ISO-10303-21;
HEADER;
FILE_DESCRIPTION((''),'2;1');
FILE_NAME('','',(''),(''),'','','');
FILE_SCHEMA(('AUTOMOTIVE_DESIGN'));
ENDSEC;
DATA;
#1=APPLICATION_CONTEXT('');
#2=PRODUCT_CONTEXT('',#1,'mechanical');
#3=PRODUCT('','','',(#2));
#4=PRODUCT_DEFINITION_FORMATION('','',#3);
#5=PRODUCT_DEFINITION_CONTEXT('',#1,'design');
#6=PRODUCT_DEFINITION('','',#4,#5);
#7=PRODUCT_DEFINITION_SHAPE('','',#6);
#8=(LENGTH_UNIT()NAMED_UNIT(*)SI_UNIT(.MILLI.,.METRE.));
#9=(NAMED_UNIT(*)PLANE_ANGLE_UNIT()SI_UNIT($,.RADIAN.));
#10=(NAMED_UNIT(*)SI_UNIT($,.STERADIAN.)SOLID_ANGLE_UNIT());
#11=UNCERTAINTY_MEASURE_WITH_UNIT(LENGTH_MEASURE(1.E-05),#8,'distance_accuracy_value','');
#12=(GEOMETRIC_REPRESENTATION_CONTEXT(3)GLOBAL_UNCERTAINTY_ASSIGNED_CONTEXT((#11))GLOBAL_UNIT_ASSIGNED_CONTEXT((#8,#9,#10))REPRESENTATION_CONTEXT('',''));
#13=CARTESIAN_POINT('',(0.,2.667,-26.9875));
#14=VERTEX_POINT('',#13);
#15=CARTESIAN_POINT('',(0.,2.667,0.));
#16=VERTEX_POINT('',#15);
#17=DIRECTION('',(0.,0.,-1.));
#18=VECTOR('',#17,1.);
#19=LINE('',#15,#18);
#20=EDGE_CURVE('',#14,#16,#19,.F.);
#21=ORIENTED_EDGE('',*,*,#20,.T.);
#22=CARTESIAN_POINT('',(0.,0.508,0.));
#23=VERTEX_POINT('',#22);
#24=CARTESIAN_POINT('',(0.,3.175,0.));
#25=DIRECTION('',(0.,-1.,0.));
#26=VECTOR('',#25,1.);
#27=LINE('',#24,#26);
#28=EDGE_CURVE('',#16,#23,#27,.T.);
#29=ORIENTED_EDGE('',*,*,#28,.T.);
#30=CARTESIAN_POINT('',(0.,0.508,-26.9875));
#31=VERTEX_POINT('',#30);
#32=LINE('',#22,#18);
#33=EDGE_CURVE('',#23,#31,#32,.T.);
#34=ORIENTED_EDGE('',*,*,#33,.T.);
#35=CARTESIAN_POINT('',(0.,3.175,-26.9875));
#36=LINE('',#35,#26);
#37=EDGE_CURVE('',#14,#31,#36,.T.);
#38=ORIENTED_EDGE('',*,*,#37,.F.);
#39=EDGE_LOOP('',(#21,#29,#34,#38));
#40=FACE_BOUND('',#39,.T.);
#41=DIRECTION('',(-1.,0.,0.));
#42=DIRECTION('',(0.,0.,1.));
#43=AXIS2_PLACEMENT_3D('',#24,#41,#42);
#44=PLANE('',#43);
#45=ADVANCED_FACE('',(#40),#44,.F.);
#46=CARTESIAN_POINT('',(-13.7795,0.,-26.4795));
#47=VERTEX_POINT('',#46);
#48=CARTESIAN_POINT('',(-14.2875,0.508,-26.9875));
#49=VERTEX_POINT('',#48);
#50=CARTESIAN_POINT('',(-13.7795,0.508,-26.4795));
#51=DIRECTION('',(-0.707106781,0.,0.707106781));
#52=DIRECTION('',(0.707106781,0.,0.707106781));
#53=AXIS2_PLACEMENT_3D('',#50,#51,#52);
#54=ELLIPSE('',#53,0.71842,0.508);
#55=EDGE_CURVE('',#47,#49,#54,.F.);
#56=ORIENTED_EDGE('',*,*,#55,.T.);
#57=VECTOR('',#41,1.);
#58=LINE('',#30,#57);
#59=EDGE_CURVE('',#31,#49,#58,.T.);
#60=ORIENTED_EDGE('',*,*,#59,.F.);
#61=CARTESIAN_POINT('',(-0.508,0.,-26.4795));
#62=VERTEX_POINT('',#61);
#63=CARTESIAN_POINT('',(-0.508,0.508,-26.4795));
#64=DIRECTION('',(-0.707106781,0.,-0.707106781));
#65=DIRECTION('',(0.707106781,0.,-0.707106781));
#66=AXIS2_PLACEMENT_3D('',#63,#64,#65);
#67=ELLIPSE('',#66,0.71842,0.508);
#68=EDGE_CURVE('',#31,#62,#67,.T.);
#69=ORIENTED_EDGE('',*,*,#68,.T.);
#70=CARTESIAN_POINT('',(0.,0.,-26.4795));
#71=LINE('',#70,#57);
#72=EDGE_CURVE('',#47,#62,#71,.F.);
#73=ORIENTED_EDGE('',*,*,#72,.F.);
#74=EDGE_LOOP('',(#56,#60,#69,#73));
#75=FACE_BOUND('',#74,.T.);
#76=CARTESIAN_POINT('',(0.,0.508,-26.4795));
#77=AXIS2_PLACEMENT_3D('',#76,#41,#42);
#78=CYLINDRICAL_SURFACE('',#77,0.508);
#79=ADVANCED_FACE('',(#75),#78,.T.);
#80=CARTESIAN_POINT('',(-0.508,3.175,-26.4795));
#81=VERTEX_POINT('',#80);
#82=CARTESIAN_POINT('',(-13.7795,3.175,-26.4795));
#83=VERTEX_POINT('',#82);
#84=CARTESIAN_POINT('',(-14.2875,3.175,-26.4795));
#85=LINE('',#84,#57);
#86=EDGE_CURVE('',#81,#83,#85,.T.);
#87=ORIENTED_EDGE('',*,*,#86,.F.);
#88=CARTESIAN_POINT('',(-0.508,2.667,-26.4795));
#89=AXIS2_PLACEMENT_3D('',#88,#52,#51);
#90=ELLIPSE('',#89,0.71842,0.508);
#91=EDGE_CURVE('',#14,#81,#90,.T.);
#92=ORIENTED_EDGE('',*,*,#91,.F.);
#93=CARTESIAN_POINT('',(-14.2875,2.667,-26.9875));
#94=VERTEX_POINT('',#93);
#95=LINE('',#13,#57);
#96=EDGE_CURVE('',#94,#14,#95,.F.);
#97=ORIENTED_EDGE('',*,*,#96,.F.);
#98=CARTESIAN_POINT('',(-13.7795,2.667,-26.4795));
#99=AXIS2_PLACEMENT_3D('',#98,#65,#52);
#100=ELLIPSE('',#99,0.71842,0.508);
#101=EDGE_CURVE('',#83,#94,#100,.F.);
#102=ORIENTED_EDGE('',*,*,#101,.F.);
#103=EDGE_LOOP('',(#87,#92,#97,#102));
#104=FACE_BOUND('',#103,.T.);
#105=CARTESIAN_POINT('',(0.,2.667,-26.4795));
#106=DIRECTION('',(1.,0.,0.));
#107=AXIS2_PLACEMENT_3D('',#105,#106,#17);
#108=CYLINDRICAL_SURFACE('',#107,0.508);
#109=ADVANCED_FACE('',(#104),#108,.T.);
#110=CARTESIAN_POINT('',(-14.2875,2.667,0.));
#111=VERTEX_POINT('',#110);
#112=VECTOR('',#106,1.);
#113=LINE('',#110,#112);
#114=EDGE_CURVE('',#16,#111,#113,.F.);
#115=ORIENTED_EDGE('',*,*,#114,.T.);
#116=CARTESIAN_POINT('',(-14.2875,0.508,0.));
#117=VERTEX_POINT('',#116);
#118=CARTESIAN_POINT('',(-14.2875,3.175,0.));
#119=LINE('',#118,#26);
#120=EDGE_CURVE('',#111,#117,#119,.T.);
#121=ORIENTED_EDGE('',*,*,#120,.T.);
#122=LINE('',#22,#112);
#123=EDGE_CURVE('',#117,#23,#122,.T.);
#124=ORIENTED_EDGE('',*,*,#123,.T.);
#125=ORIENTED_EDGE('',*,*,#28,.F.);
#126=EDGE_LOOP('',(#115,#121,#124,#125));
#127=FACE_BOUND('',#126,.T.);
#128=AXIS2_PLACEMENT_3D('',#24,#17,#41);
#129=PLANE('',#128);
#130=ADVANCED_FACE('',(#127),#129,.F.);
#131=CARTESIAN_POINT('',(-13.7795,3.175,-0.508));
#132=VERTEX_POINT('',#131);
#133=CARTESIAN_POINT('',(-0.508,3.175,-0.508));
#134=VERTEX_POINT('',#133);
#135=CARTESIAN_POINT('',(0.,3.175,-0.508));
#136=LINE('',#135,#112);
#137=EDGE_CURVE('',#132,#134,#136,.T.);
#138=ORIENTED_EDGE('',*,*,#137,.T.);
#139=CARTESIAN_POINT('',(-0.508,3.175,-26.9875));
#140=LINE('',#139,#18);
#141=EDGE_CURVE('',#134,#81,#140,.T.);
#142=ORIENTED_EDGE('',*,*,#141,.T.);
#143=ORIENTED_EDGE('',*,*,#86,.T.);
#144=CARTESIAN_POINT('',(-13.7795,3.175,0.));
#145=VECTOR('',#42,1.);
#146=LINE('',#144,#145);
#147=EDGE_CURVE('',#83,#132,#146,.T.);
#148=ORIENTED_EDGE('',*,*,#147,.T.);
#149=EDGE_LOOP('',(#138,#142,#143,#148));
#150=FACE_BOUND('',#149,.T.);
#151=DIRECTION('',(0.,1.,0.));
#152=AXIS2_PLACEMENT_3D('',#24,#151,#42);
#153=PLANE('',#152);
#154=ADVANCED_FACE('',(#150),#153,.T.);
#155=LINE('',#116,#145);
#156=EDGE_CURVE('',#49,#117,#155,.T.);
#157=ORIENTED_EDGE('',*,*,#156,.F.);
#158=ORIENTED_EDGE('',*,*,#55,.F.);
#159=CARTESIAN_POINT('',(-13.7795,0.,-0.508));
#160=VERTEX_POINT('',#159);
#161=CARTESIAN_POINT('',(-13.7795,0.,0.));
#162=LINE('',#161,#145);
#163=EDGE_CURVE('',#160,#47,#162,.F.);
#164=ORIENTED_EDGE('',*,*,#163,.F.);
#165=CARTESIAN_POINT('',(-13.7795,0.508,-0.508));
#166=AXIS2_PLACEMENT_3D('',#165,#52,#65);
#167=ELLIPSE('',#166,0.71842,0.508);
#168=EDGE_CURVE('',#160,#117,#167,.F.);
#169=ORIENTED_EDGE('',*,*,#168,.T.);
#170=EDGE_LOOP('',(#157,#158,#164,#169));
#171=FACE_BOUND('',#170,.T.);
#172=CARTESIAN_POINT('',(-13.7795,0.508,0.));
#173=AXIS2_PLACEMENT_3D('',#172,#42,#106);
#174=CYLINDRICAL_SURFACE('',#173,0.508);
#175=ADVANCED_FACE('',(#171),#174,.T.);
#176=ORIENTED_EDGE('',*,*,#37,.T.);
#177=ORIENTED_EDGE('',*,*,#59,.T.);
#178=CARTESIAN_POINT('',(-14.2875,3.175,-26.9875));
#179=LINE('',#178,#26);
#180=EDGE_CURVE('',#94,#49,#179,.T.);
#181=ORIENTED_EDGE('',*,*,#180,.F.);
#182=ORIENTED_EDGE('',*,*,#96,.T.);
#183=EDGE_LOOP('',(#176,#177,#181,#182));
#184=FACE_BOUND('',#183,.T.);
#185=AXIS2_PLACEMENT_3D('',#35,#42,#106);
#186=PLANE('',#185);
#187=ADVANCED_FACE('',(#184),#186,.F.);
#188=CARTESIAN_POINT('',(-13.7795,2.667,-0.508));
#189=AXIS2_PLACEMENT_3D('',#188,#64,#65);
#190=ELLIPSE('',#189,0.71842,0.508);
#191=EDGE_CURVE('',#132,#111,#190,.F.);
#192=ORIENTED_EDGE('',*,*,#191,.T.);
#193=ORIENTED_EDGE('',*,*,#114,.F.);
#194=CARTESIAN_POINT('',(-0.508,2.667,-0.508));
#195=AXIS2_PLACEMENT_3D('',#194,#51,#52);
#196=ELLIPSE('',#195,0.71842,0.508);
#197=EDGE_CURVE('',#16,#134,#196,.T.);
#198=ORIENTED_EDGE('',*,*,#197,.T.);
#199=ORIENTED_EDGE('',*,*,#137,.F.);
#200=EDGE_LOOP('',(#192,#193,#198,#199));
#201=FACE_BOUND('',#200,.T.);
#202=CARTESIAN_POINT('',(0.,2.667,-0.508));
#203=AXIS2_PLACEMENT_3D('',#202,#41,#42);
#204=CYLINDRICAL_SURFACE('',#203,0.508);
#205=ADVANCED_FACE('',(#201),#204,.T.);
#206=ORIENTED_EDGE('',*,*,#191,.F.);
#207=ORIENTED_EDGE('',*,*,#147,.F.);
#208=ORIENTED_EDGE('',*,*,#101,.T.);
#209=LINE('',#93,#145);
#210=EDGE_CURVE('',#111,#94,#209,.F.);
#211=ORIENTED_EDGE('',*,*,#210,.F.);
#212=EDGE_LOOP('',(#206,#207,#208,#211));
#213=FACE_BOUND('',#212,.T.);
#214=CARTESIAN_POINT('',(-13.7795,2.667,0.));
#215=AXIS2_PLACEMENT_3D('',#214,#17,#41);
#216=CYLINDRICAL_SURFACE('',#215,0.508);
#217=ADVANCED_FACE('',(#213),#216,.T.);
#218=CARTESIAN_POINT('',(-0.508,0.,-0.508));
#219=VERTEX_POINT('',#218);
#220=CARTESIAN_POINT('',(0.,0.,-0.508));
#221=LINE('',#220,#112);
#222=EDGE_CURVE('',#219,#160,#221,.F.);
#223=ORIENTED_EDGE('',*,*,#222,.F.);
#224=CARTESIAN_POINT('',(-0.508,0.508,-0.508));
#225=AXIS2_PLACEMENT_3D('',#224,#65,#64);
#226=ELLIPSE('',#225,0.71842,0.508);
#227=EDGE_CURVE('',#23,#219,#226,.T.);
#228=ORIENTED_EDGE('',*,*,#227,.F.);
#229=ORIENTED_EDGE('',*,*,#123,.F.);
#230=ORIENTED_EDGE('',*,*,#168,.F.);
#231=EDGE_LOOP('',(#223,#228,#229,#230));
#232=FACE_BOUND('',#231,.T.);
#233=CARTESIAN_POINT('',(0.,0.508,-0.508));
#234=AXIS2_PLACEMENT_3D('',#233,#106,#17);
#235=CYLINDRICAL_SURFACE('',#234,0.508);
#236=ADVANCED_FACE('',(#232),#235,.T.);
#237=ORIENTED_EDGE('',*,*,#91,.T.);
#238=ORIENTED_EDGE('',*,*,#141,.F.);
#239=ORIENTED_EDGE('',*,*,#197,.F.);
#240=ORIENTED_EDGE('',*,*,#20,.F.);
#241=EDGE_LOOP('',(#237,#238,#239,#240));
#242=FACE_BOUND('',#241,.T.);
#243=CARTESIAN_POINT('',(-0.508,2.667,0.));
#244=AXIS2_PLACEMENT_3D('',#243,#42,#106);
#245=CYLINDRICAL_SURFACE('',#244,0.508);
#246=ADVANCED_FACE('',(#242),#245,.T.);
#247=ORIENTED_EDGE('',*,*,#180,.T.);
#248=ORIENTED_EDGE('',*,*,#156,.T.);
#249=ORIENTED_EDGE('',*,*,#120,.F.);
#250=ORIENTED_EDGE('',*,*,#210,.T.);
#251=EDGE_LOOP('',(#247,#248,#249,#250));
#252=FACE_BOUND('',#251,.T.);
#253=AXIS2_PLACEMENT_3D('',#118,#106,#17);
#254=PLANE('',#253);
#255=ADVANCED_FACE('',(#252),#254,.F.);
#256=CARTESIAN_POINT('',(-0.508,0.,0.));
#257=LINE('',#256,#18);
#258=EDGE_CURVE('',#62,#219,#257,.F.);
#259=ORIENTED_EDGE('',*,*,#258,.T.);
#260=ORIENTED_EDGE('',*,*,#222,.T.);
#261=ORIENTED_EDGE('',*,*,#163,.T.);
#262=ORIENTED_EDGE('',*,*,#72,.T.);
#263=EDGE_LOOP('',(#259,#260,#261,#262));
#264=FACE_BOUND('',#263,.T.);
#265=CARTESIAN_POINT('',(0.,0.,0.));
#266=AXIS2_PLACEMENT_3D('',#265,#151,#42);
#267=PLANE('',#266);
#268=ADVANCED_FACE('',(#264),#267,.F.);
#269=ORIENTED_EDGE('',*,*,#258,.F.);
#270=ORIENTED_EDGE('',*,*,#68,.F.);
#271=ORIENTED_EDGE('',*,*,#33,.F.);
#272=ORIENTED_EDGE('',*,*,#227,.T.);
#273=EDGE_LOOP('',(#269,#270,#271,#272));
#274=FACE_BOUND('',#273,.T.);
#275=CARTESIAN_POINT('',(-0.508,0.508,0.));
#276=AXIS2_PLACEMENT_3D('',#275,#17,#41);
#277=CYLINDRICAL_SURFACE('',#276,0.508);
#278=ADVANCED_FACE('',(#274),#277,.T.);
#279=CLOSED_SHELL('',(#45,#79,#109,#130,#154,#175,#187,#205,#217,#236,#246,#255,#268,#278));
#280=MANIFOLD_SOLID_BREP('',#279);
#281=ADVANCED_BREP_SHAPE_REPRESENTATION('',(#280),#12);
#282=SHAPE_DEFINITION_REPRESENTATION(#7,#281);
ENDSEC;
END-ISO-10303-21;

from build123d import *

# Parameters (mm, degrees)
SKETCH1_W           = 14.2875
SKETCH1_H           = 26.9875
BOSS_EXTRUDE1_DEPTH = 3.175
FILLET1_R           = 0.508


with BuildPart() as part:
    # Sketch1 → Boss-Extrude1 (new body)
    with BuildSketch(Plane(origin=(0, 0, 0), x_dir=(1, 0, 0), z_dir=(0, 1, 0))):
        with Locations((-7.14375, 13.49375)):
            Rectangle(SKETCH1_W, SKETCH1_H)
    extrude(amount=BOSS_EXTRUDE1_DEPTH)

    # Fillet1
    fillet1_edges = [part.edges().sort_by_distance(p)[0] for p in [
        (-14.2875, 3.175, -13.49375),
        (-7.14375, 3.175, 0),
        (0, 3.175, -13.49375),
        (-7.14375, 0, 0),
        (-14.2875, 0, -13.49375),
        (-7.14375, 0, -26.9875),
        (0, 0, -13.49375),
        (-7.14375, 3.175, -26.9875),
    ]]
    fillet(fillet1_edges, radius=FILLET1_R)


solid = part.part
